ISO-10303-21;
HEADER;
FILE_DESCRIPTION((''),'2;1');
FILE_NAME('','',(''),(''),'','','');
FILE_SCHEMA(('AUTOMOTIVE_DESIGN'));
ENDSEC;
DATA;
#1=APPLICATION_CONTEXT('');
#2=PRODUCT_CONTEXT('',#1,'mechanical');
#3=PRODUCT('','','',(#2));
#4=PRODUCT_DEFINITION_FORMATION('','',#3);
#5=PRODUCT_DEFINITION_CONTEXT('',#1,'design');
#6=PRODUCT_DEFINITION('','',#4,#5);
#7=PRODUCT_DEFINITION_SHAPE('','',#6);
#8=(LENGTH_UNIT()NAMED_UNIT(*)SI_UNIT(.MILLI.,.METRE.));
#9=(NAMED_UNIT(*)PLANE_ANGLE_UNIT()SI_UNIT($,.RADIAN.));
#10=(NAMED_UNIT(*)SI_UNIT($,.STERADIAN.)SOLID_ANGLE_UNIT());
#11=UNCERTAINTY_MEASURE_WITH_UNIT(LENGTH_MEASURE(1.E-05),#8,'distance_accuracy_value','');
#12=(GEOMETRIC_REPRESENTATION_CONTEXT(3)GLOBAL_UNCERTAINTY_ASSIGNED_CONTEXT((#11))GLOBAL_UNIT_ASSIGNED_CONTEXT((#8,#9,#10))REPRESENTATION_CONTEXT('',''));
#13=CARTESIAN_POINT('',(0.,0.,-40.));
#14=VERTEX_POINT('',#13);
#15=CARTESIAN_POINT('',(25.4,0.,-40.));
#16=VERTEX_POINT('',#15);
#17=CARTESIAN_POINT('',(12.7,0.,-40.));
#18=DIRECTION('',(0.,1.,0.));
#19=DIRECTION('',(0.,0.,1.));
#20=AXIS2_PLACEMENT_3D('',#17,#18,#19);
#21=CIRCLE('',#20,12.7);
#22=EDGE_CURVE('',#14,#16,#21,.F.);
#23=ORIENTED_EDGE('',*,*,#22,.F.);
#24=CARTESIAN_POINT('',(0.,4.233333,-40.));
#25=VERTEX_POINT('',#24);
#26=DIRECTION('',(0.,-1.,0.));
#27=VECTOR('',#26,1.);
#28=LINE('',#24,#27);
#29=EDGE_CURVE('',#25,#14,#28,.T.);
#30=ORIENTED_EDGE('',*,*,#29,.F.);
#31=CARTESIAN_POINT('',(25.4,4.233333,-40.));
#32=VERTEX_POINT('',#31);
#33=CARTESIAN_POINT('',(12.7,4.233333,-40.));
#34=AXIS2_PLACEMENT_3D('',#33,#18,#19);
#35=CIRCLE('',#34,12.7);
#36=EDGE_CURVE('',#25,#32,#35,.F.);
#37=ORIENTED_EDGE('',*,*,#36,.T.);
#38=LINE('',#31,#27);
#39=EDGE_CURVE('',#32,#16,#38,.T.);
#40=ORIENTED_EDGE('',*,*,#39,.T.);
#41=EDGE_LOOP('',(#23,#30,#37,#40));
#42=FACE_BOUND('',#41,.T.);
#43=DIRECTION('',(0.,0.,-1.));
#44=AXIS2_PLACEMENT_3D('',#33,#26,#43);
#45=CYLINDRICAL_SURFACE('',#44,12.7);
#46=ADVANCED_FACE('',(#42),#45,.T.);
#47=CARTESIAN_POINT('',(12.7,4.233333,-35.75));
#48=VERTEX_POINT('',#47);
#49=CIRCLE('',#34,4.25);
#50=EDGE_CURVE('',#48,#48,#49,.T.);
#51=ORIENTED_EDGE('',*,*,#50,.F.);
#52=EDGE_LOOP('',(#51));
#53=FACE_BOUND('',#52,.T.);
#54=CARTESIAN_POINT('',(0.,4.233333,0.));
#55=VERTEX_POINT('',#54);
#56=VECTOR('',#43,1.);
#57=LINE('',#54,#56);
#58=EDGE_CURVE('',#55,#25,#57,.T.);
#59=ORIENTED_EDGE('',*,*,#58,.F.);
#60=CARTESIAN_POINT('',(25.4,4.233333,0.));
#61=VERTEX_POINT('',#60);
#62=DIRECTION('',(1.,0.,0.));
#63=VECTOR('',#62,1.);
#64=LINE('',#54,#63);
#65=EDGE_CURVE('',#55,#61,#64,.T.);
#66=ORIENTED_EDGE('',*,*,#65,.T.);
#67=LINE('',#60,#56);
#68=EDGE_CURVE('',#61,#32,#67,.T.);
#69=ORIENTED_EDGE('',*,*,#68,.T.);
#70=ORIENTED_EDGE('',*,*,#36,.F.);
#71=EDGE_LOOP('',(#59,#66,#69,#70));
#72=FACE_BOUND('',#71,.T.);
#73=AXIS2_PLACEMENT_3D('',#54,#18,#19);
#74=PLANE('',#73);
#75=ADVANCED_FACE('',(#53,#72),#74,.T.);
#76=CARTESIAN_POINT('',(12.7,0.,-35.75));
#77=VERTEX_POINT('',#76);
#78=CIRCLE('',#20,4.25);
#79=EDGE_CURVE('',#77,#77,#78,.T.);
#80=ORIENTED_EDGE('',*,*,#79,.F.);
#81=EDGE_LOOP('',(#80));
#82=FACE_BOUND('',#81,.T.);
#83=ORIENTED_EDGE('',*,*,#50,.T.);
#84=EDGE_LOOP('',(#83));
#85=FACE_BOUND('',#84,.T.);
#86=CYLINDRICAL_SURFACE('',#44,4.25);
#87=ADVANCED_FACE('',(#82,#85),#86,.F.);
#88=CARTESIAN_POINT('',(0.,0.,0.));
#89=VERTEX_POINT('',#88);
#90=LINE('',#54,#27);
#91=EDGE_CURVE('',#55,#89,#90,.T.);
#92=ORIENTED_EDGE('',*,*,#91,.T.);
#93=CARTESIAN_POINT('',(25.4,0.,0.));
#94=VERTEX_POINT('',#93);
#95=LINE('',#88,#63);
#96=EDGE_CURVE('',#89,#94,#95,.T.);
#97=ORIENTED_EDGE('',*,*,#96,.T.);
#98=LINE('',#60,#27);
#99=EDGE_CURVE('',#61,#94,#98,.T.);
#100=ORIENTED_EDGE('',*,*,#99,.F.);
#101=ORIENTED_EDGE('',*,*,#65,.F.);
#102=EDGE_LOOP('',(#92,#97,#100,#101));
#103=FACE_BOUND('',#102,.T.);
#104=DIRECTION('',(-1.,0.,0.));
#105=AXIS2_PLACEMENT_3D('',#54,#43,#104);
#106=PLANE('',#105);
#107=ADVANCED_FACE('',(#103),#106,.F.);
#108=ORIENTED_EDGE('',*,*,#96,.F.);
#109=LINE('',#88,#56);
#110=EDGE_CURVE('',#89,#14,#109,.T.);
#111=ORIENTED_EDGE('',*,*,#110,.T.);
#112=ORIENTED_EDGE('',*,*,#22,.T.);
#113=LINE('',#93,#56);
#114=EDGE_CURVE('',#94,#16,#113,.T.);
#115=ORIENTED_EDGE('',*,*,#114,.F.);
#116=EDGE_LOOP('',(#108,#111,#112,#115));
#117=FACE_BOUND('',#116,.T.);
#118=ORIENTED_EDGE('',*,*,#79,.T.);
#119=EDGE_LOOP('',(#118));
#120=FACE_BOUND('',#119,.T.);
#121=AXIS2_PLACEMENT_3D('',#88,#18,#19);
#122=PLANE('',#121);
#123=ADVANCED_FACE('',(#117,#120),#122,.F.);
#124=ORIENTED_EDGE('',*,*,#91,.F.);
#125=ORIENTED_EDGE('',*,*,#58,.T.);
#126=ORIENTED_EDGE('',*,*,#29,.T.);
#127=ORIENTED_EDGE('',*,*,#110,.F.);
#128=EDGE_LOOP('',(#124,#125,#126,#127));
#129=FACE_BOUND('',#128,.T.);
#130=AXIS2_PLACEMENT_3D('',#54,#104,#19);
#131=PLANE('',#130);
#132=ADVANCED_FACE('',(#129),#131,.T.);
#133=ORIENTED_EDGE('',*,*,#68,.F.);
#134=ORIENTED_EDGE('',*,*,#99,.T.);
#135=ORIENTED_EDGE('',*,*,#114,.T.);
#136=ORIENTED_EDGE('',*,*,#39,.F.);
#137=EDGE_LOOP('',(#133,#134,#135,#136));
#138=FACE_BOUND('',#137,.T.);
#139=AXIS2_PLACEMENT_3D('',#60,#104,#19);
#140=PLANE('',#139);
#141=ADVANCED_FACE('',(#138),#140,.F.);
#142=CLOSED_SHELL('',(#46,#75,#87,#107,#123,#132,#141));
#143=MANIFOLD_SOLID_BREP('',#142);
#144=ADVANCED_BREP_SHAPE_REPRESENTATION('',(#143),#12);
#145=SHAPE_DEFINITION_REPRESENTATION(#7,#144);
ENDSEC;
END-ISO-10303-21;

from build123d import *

# Parameters (mm, degrees)
SKETCH1_R           = 4.25
BOSS_EXTRUDE1_DEPTH = 4.233333333


with BuildPart() as part:
    # Sketch1 → Boss-Extrude1 (new body)
    with BuildSketch(Plane(origin=(0, 0, 0), x_dir=(1, 0, 0), z_dir=(0, 1, 0))):
        with BuildLine():
            Line((0, 0), (25.4, 0))
            Line((25.4, 0), (25.4, 40))
            ThreePointArc((25.4, 40), (12.7, 52.7), (0, 40))
            Line((0, 40), (0, 0))
        make_face()
        with Locations(Location((12.7, 40, 0), (0, 0, 270))):
            Circle(SKETCH1_R, mode=Mode.SUBTRACT)
    extrude(amount=BOSS_EXTRUDE1_DEPTH)


solid = part.part
